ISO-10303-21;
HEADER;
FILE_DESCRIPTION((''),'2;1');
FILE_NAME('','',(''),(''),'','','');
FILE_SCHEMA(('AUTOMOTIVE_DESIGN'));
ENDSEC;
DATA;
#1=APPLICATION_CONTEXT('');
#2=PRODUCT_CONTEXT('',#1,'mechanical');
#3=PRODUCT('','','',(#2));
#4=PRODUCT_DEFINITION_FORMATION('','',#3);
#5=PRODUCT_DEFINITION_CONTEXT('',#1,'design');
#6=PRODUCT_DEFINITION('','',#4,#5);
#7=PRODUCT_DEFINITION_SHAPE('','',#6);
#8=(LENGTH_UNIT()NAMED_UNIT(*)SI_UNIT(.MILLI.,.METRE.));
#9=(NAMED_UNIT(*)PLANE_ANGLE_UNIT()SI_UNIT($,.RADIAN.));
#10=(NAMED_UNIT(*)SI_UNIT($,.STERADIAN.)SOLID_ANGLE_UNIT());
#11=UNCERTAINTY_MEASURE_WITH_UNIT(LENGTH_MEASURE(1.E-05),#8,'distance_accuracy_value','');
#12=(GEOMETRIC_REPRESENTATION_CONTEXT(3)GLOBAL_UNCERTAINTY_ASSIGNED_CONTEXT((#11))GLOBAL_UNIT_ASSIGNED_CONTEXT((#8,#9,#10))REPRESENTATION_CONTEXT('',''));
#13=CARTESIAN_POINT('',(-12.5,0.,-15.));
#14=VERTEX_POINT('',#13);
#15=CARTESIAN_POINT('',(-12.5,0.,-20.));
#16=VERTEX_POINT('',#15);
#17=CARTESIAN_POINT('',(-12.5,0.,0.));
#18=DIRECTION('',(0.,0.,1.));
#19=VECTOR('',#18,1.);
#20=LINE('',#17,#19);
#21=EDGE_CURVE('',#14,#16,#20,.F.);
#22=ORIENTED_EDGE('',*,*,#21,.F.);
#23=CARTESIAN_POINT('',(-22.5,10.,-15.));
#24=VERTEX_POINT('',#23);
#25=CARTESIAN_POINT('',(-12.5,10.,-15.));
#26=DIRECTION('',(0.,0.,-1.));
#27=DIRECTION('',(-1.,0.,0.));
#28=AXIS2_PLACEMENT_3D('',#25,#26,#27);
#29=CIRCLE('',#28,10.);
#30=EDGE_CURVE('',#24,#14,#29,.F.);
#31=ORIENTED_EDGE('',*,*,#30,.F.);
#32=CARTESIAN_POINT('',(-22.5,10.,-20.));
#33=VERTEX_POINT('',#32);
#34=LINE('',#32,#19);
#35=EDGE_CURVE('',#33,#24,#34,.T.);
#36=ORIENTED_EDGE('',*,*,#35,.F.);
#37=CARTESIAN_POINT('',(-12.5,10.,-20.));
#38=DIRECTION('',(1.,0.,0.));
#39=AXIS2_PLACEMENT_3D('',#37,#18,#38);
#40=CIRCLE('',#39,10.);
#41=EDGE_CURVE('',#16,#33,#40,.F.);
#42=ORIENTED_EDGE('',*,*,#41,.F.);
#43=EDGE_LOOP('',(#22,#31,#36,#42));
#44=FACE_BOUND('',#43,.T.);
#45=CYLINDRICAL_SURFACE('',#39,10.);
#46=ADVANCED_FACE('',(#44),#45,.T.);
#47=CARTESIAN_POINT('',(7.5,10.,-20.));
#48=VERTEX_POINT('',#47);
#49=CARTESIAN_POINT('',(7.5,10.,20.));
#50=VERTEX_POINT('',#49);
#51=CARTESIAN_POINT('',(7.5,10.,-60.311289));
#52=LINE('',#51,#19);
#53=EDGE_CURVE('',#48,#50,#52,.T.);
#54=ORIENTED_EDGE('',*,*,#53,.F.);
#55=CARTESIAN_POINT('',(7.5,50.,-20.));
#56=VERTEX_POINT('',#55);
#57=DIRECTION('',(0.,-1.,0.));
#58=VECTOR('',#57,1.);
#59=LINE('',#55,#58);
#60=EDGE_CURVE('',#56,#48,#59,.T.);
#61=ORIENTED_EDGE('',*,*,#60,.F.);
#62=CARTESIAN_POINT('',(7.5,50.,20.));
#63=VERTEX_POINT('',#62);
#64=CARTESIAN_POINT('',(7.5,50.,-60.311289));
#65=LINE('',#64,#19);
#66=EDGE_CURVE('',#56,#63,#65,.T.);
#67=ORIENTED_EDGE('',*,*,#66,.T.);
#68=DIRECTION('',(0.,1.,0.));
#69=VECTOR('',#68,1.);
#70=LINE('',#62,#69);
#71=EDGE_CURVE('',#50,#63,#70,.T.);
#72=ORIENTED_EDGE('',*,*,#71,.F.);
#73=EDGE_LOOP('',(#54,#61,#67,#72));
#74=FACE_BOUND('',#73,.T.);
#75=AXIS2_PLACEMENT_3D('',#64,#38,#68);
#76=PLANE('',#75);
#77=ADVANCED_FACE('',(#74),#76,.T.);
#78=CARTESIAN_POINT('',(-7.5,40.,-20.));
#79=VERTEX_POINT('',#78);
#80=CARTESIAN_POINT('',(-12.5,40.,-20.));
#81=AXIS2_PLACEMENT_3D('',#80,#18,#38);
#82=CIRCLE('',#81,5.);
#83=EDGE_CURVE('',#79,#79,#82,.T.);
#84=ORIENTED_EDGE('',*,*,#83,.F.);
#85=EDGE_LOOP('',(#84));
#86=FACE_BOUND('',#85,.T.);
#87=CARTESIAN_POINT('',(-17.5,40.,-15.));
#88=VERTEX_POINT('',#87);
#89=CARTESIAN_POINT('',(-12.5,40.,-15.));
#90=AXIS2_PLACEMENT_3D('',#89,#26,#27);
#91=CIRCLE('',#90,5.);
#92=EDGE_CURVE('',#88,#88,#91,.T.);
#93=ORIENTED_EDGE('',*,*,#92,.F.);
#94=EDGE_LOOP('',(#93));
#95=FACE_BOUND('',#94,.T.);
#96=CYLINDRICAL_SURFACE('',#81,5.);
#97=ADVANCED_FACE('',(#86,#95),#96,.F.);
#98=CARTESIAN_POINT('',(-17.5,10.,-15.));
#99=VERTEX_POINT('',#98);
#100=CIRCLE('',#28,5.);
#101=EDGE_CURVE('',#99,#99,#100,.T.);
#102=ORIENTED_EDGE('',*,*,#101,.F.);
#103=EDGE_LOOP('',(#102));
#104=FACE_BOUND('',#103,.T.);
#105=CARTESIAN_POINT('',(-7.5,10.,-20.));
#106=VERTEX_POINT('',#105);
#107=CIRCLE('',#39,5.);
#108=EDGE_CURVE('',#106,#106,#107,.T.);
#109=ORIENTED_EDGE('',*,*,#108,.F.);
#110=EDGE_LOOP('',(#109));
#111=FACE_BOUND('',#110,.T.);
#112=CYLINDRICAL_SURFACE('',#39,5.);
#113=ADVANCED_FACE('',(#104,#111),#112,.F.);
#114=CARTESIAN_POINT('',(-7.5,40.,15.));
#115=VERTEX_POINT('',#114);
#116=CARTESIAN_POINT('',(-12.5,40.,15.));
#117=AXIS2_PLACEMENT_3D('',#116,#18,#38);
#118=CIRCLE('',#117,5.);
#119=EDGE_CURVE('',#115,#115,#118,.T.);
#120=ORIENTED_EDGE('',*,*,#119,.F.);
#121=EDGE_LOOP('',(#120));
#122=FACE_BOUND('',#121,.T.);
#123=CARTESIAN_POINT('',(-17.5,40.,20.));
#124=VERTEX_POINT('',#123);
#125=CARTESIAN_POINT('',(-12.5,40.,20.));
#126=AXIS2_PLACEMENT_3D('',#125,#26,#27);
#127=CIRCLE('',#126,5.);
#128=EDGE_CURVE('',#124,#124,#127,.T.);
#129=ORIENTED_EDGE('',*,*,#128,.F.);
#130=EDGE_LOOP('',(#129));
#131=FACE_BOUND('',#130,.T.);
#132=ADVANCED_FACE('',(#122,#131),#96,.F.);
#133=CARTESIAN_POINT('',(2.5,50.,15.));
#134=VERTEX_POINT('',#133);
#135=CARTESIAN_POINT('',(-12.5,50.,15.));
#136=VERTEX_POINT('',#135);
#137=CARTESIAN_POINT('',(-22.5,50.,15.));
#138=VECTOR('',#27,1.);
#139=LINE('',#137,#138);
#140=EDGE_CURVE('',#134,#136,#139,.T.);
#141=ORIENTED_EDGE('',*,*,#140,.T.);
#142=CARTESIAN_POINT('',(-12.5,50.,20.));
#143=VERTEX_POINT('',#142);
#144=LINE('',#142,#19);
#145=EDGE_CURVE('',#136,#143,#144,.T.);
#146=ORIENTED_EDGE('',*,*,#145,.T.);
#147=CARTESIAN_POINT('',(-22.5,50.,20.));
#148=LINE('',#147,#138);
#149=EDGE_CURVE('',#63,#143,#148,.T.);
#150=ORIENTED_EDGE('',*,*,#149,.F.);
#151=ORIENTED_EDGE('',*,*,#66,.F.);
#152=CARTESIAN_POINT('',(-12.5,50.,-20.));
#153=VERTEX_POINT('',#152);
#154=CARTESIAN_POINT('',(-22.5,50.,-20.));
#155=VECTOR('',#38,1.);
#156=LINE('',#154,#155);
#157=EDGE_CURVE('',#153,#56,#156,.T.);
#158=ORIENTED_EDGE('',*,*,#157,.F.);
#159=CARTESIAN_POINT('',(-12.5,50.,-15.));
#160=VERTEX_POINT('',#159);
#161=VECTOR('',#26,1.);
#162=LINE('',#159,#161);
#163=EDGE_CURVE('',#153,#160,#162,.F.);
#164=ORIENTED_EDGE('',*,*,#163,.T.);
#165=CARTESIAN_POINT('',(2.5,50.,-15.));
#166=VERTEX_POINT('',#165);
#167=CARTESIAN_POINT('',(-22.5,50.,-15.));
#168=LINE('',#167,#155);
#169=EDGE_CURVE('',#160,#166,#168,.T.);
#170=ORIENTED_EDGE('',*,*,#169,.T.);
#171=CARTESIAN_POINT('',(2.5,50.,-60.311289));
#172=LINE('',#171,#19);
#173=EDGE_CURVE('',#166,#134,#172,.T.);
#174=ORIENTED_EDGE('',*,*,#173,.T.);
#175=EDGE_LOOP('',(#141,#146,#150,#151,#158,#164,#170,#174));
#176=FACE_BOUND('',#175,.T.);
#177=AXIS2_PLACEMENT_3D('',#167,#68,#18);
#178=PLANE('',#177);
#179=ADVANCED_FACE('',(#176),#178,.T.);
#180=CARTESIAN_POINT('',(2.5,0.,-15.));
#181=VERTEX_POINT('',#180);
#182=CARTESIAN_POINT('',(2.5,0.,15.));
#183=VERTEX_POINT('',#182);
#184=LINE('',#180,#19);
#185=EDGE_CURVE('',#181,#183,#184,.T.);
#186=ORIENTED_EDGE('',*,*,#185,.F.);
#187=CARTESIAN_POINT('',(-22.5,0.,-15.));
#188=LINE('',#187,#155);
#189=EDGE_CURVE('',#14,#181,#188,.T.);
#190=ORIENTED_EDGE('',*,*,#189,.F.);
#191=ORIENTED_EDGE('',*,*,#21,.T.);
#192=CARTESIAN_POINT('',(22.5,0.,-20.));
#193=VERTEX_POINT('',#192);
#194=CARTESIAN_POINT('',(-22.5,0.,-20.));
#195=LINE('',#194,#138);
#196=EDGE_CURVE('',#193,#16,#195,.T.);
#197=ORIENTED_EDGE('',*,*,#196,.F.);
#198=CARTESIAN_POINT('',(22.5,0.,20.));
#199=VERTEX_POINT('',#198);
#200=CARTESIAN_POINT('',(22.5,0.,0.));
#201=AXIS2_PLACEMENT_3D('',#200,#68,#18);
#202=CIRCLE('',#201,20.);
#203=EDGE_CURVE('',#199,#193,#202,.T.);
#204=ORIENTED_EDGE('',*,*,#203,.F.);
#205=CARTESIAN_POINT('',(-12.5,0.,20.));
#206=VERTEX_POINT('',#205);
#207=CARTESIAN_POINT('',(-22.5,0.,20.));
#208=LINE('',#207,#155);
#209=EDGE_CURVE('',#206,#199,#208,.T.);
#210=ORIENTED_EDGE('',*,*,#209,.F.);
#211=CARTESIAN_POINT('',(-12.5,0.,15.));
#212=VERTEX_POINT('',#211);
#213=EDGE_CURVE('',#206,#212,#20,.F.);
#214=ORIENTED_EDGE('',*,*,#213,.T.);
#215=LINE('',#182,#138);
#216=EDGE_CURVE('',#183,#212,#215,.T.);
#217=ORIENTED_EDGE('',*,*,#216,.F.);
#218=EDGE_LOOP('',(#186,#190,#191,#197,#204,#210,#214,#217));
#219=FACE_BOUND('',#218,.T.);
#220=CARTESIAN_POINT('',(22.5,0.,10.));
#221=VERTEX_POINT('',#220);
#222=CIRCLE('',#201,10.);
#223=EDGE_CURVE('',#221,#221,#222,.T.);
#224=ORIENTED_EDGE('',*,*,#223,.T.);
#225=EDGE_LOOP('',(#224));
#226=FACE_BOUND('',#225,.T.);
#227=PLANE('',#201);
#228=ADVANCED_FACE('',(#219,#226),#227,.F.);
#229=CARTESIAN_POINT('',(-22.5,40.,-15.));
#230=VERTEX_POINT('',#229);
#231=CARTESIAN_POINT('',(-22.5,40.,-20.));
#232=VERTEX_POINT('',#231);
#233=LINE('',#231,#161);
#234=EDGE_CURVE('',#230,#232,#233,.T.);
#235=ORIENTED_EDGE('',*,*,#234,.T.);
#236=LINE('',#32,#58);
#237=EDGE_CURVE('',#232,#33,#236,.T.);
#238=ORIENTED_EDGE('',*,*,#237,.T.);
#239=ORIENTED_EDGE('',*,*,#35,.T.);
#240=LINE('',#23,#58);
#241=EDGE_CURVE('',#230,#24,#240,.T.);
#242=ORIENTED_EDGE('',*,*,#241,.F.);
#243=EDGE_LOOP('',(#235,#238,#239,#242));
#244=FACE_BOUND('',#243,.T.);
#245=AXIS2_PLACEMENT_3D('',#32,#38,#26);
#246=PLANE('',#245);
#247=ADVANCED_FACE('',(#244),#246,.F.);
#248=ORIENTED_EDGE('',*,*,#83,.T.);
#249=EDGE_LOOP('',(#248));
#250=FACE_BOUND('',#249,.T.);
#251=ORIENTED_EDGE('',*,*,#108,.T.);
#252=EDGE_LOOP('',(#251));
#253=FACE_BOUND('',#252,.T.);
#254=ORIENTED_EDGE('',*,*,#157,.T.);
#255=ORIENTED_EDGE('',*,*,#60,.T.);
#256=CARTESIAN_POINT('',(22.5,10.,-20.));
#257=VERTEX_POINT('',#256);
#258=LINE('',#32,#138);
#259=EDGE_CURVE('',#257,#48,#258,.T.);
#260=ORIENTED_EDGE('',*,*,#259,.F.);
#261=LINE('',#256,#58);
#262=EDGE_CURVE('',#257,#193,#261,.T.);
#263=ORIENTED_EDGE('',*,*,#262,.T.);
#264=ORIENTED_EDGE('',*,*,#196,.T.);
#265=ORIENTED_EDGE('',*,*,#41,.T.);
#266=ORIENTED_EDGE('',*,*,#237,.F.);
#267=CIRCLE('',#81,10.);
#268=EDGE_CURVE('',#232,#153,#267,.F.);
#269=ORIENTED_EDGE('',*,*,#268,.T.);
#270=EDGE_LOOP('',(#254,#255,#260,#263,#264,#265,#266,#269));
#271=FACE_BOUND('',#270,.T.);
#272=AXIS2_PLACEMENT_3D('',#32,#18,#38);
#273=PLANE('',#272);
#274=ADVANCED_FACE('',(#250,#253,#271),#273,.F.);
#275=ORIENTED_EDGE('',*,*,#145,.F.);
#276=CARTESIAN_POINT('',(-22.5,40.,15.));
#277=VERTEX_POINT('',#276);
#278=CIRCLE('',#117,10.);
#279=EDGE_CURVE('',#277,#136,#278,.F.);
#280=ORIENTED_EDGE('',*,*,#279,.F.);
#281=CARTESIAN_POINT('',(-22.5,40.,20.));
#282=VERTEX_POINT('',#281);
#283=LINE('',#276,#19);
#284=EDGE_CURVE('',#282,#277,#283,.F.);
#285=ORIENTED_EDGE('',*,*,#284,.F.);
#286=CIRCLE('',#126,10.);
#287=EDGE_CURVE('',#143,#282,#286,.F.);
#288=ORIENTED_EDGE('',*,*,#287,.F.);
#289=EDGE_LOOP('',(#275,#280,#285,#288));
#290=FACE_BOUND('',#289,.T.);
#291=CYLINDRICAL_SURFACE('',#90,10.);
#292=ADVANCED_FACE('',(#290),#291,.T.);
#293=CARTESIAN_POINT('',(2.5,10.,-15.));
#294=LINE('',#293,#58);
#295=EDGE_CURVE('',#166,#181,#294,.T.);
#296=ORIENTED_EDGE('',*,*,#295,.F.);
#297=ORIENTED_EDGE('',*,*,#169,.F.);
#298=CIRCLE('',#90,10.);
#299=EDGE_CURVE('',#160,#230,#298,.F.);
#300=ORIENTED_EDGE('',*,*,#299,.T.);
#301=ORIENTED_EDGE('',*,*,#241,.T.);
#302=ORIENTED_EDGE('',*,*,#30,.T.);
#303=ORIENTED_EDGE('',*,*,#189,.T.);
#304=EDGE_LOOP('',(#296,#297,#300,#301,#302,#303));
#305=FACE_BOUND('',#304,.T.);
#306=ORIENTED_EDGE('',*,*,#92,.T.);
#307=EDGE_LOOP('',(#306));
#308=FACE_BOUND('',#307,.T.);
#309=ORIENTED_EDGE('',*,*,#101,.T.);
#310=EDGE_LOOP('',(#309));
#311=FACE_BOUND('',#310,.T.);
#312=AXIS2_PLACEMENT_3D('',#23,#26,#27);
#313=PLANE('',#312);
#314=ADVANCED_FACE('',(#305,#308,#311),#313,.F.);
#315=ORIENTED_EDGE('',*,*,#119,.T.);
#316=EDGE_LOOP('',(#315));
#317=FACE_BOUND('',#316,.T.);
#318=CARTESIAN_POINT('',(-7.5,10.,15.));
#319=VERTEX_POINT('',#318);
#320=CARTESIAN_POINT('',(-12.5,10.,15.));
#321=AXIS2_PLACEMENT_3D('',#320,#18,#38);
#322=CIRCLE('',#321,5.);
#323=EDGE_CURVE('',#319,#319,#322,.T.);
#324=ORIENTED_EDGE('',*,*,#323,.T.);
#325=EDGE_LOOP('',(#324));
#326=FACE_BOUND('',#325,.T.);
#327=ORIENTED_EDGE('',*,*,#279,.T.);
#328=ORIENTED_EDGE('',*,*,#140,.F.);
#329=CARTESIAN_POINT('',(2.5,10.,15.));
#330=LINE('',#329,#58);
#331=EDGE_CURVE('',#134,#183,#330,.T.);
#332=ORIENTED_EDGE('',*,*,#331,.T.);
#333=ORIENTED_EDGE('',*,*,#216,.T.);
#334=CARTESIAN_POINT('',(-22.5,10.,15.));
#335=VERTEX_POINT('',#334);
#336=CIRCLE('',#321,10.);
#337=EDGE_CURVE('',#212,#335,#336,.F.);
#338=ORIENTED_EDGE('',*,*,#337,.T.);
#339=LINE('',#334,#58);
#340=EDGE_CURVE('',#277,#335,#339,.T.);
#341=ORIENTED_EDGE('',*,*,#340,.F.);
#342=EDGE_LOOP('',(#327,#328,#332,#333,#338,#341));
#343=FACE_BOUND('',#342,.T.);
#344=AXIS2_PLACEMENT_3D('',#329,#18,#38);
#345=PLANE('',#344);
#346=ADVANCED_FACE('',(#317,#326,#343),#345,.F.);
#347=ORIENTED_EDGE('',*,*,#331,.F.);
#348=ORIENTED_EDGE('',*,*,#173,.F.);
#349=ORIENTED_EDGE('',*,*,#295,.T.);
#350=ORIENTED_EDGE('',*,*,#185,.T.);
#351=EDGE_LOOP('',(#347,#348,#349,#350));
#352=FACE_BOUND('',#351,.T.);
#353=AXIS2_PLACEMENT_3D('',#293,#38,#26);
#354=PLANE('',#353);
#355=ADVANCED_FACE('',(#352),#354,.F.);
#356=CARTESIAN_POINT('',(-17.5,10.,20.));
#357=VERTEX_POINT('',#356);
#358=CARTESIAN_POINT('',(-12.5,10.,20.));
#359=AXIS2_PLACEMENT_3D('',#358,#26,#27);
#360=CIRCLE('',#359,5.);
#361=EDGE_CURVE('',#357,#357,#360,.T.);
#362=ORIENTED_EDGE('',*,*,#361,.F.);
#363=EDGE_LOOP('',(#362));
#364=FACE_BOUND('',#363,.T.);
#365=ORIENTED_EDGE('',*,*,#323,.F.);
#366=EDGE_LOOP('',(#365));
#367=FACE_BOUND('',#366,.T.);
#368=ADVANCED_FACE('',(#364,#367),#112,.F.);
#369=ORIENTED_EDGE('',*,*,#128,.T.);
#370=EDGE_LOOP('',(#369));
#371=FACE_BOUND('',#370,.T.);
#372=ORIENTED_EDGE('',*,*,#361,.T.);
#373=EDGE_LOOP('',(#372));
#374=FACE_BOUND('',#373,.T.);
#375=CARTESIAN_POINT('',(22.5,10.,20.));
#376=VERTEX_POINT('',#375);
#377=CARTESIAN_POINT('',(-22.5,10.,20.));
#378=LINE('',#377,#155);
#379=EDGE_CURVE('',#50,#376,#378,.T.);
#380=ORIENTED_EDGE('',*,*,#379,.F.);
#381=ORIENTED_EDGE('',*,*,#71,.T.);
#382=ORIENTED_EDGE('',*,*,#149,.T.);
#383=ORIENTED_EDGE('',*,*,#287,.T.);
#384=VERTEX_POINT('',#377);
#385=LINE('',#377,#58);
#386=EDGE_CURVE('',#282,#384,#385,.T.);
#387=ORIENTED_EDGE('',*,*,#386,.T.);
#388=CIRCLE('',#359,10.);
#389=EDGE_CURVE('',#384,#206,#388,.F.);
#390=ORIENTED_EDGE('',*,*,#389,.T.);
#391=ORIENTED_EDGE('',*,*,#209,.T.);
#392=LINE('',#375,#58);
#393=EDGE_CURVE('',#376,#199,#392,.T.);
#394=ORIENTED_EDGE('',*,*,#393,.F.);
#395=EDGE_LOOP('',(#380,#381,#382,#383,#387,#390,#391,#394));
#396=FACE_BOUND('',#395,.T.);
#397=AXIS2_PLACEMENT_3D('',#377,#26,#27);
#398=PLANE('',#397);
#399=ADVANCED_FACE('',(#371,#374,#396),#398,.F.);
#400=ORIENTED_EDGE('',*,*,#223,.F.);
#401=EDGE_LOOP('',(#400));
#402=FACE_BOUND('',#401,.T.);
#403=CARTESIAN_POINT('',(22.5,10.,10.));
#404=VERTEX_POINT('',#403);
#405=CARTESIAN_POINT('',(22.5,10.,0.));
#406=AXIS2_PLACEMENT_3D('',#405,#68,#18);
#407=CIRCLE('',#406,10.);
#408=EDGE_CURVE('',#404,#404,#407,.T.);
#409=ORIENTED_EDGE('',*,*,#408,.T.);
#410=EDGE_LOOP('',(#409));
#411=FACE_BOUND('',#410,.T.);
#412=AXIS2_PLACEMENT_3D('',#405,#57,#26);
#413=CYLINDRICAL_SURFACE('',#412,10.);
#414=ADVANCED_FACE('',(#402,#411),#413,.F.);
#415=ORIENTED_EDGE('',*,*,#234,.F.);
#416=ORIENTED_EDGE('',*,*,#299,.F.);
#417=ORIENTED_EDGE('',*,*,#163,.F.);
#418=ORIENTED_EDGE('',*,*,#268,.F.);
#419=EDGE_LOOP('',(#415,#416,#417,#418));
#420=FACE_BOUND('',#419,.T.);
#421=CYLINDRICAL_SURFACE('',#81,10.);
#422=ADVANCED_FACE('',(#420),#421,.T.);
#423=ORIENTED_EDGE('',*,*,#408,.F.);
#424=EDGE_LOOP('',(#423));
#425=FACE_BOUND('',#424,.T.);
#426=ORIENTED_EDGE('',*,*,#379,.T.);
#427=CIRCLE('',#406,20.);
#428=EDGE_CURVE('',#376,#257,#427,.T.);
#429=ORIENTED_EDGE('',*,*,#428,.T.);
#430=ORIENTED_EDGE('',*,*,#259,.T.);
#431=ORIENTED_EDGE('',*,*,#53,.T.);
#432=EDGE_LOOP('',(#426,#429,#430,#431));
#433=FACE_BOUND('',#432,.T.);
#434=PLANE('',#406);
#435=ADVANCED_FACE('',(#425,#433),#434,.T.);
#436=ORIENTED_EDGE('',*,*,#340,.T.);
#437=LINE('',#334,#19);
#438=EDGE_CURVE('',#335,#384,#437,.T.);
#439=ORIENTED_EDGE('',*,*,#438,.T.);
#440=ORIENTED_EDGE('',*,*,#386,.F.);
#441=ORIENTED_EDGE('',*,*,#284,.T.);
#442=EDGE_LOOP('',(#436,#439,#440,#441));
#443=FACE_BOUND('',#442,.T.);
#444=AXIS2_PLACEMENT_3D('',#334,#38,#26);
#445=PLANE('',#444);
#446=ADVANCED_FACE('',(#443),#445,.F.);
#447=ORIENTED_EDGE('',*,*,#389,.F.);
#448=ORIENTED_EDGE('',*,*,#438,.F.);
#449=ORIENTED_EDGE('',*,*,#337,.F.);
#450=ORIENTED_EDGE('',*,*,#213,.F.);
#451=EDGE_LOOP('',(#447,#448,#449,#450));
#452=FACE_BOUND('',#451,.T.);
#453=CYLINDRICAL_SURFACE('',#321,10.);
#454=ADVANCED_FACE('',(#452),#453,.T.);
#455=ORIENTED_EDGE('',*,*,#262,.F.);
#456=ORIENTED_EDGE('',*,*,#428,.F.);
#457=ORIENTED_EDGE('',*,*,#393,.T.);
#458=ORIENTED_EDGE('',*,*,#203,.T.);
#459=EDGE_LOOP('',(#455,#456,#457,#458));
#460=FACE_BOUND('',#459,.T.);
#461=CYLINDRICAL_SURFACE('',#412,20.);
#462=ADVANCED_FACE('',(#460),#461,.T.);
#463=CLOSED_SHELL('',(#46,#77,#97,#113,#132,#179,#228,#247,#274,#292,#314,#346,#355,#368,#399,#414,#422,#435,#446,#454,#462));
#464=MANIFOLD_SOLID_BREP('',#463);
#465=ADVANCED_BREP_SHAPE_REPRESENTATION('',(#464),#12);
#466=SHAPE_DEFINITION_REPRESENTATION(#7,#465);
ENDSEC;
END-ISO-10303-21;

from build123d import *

# Parameters (mm, degrees)
SKETCH1_R               = 10
BOSS_EXTRUDE1_DEPTH     = 10
SKETCH2_W               = 25
SKETCH2_H               = 50
BOSS_EXTRUDE2_DEPTH     = 5
SKETCH3_W               = 25
SKETCH3_H               = 50
BOSS_EXTRUDE3_DEPTH     = 5
SKETCH4_W               = 5
SKETCH4_H               = 40
BOSS_EXTRUDE4_DEPTH     = 40
SKETCH5_R               = 5
CUT_EXTRUDE1_DEPTH      = 1
CUT_EXTRUDE1_DEPTH_BACK = 41
FILLET1_R               = 10


with BuildPart() as part:
    # Sketch1 → Boss-Extrude1 (new body)
    with BuildSketch(Plane(origin=(0, 0, 0), x_dir=(1, 0, 0), z_dir=(0, 1, 0))):
        with BuildLine():
            Line((-22.5, 15), (2.5, 15))
            Line((2.5, 15), (2.5, -15))
            Line((2.5, -15), (-22.5, -15))
            Line((-22.5, -15), (-22.5, -20))
            Line((-22.5, -20), (22.5, -20))
            ThreePointArc((22.5, -20), (42.5, 0), (22.5, 20))
            Line((22.5, 20), (-22.5, 20))
            Line((-22.5, 20), (-22.5, 15))
        make_face()
        with Locations((22.5, 0)):
            Circle(SKETCH1_R, mode=Mode.SUBTRACT)
    extrude(amount=BOSS_EXTRUDE1_DEPTH)

    # Sketch2 → Boss-Extrude2 (add)
    with BuildSketch(Plane(origin=(0, 0, -20), x_dir=(-1, 0, 0), z_dir=(0, 0, -1))):
        with Locations((10, 25)):
            Rectangle(SKETCH2_W, SKETCH2_H)
    extrude(amount=-BOSS_EXTRUDE2_DEPTH)

    # Sketch3 → Boss-Extrude3 (add)
    with BuildSketch(Plane.XY.offset(20)):
        with Locations((-10, 25)):
            Rectangle(SKETCH3_W, SKETCH3_H)
    extrude(amount=-BOSS_EXTRUDE3_DEPTH)

    # Sketch4 → Boss-Extrude4 (add)
    with BuildSketch(Plane.XY.offset(20)):
        with Locations((5, 30)):
            Rectangle(SKETCH4_W, SKETCH4_H)
    extrude(amount=-BOSS_EXTRUDE4_DEPTH)

    # Sketch5 → Cut-Extrude1 (cut, two sides)
    with BuildSketch(Plane.XY.offset(20)) as cut_extrude1_sk:
        with Locations((-12.5, 40)):
            Circle(SKETCH5_R)
        with Locations((-12.5, 10)):
            Circle(SKETCH5_R)
    extrude(amount=CUT_EXTRUDE1_DEPTH, mode=Mode.SUBTRACT)
    extrude(cut_extrude1_sk.sketch, amount=-CUT_EXTRUDE1_DEPTH_BACK, mode=Mode.SUBTRACT)

    # Fillet1
    fillet1_edges = [part.edges().sort_by_distance(p)[0] for p in [
        (-22.5, 0, -17.5),
        (-22.5, 50, -17.5),
        (-22.5, 50, 17.5),
        (-22.5, 0, 17.5),
    ]]
    fillet(fillet1_edges, radius=FILLET1_R)


solid = part.part
